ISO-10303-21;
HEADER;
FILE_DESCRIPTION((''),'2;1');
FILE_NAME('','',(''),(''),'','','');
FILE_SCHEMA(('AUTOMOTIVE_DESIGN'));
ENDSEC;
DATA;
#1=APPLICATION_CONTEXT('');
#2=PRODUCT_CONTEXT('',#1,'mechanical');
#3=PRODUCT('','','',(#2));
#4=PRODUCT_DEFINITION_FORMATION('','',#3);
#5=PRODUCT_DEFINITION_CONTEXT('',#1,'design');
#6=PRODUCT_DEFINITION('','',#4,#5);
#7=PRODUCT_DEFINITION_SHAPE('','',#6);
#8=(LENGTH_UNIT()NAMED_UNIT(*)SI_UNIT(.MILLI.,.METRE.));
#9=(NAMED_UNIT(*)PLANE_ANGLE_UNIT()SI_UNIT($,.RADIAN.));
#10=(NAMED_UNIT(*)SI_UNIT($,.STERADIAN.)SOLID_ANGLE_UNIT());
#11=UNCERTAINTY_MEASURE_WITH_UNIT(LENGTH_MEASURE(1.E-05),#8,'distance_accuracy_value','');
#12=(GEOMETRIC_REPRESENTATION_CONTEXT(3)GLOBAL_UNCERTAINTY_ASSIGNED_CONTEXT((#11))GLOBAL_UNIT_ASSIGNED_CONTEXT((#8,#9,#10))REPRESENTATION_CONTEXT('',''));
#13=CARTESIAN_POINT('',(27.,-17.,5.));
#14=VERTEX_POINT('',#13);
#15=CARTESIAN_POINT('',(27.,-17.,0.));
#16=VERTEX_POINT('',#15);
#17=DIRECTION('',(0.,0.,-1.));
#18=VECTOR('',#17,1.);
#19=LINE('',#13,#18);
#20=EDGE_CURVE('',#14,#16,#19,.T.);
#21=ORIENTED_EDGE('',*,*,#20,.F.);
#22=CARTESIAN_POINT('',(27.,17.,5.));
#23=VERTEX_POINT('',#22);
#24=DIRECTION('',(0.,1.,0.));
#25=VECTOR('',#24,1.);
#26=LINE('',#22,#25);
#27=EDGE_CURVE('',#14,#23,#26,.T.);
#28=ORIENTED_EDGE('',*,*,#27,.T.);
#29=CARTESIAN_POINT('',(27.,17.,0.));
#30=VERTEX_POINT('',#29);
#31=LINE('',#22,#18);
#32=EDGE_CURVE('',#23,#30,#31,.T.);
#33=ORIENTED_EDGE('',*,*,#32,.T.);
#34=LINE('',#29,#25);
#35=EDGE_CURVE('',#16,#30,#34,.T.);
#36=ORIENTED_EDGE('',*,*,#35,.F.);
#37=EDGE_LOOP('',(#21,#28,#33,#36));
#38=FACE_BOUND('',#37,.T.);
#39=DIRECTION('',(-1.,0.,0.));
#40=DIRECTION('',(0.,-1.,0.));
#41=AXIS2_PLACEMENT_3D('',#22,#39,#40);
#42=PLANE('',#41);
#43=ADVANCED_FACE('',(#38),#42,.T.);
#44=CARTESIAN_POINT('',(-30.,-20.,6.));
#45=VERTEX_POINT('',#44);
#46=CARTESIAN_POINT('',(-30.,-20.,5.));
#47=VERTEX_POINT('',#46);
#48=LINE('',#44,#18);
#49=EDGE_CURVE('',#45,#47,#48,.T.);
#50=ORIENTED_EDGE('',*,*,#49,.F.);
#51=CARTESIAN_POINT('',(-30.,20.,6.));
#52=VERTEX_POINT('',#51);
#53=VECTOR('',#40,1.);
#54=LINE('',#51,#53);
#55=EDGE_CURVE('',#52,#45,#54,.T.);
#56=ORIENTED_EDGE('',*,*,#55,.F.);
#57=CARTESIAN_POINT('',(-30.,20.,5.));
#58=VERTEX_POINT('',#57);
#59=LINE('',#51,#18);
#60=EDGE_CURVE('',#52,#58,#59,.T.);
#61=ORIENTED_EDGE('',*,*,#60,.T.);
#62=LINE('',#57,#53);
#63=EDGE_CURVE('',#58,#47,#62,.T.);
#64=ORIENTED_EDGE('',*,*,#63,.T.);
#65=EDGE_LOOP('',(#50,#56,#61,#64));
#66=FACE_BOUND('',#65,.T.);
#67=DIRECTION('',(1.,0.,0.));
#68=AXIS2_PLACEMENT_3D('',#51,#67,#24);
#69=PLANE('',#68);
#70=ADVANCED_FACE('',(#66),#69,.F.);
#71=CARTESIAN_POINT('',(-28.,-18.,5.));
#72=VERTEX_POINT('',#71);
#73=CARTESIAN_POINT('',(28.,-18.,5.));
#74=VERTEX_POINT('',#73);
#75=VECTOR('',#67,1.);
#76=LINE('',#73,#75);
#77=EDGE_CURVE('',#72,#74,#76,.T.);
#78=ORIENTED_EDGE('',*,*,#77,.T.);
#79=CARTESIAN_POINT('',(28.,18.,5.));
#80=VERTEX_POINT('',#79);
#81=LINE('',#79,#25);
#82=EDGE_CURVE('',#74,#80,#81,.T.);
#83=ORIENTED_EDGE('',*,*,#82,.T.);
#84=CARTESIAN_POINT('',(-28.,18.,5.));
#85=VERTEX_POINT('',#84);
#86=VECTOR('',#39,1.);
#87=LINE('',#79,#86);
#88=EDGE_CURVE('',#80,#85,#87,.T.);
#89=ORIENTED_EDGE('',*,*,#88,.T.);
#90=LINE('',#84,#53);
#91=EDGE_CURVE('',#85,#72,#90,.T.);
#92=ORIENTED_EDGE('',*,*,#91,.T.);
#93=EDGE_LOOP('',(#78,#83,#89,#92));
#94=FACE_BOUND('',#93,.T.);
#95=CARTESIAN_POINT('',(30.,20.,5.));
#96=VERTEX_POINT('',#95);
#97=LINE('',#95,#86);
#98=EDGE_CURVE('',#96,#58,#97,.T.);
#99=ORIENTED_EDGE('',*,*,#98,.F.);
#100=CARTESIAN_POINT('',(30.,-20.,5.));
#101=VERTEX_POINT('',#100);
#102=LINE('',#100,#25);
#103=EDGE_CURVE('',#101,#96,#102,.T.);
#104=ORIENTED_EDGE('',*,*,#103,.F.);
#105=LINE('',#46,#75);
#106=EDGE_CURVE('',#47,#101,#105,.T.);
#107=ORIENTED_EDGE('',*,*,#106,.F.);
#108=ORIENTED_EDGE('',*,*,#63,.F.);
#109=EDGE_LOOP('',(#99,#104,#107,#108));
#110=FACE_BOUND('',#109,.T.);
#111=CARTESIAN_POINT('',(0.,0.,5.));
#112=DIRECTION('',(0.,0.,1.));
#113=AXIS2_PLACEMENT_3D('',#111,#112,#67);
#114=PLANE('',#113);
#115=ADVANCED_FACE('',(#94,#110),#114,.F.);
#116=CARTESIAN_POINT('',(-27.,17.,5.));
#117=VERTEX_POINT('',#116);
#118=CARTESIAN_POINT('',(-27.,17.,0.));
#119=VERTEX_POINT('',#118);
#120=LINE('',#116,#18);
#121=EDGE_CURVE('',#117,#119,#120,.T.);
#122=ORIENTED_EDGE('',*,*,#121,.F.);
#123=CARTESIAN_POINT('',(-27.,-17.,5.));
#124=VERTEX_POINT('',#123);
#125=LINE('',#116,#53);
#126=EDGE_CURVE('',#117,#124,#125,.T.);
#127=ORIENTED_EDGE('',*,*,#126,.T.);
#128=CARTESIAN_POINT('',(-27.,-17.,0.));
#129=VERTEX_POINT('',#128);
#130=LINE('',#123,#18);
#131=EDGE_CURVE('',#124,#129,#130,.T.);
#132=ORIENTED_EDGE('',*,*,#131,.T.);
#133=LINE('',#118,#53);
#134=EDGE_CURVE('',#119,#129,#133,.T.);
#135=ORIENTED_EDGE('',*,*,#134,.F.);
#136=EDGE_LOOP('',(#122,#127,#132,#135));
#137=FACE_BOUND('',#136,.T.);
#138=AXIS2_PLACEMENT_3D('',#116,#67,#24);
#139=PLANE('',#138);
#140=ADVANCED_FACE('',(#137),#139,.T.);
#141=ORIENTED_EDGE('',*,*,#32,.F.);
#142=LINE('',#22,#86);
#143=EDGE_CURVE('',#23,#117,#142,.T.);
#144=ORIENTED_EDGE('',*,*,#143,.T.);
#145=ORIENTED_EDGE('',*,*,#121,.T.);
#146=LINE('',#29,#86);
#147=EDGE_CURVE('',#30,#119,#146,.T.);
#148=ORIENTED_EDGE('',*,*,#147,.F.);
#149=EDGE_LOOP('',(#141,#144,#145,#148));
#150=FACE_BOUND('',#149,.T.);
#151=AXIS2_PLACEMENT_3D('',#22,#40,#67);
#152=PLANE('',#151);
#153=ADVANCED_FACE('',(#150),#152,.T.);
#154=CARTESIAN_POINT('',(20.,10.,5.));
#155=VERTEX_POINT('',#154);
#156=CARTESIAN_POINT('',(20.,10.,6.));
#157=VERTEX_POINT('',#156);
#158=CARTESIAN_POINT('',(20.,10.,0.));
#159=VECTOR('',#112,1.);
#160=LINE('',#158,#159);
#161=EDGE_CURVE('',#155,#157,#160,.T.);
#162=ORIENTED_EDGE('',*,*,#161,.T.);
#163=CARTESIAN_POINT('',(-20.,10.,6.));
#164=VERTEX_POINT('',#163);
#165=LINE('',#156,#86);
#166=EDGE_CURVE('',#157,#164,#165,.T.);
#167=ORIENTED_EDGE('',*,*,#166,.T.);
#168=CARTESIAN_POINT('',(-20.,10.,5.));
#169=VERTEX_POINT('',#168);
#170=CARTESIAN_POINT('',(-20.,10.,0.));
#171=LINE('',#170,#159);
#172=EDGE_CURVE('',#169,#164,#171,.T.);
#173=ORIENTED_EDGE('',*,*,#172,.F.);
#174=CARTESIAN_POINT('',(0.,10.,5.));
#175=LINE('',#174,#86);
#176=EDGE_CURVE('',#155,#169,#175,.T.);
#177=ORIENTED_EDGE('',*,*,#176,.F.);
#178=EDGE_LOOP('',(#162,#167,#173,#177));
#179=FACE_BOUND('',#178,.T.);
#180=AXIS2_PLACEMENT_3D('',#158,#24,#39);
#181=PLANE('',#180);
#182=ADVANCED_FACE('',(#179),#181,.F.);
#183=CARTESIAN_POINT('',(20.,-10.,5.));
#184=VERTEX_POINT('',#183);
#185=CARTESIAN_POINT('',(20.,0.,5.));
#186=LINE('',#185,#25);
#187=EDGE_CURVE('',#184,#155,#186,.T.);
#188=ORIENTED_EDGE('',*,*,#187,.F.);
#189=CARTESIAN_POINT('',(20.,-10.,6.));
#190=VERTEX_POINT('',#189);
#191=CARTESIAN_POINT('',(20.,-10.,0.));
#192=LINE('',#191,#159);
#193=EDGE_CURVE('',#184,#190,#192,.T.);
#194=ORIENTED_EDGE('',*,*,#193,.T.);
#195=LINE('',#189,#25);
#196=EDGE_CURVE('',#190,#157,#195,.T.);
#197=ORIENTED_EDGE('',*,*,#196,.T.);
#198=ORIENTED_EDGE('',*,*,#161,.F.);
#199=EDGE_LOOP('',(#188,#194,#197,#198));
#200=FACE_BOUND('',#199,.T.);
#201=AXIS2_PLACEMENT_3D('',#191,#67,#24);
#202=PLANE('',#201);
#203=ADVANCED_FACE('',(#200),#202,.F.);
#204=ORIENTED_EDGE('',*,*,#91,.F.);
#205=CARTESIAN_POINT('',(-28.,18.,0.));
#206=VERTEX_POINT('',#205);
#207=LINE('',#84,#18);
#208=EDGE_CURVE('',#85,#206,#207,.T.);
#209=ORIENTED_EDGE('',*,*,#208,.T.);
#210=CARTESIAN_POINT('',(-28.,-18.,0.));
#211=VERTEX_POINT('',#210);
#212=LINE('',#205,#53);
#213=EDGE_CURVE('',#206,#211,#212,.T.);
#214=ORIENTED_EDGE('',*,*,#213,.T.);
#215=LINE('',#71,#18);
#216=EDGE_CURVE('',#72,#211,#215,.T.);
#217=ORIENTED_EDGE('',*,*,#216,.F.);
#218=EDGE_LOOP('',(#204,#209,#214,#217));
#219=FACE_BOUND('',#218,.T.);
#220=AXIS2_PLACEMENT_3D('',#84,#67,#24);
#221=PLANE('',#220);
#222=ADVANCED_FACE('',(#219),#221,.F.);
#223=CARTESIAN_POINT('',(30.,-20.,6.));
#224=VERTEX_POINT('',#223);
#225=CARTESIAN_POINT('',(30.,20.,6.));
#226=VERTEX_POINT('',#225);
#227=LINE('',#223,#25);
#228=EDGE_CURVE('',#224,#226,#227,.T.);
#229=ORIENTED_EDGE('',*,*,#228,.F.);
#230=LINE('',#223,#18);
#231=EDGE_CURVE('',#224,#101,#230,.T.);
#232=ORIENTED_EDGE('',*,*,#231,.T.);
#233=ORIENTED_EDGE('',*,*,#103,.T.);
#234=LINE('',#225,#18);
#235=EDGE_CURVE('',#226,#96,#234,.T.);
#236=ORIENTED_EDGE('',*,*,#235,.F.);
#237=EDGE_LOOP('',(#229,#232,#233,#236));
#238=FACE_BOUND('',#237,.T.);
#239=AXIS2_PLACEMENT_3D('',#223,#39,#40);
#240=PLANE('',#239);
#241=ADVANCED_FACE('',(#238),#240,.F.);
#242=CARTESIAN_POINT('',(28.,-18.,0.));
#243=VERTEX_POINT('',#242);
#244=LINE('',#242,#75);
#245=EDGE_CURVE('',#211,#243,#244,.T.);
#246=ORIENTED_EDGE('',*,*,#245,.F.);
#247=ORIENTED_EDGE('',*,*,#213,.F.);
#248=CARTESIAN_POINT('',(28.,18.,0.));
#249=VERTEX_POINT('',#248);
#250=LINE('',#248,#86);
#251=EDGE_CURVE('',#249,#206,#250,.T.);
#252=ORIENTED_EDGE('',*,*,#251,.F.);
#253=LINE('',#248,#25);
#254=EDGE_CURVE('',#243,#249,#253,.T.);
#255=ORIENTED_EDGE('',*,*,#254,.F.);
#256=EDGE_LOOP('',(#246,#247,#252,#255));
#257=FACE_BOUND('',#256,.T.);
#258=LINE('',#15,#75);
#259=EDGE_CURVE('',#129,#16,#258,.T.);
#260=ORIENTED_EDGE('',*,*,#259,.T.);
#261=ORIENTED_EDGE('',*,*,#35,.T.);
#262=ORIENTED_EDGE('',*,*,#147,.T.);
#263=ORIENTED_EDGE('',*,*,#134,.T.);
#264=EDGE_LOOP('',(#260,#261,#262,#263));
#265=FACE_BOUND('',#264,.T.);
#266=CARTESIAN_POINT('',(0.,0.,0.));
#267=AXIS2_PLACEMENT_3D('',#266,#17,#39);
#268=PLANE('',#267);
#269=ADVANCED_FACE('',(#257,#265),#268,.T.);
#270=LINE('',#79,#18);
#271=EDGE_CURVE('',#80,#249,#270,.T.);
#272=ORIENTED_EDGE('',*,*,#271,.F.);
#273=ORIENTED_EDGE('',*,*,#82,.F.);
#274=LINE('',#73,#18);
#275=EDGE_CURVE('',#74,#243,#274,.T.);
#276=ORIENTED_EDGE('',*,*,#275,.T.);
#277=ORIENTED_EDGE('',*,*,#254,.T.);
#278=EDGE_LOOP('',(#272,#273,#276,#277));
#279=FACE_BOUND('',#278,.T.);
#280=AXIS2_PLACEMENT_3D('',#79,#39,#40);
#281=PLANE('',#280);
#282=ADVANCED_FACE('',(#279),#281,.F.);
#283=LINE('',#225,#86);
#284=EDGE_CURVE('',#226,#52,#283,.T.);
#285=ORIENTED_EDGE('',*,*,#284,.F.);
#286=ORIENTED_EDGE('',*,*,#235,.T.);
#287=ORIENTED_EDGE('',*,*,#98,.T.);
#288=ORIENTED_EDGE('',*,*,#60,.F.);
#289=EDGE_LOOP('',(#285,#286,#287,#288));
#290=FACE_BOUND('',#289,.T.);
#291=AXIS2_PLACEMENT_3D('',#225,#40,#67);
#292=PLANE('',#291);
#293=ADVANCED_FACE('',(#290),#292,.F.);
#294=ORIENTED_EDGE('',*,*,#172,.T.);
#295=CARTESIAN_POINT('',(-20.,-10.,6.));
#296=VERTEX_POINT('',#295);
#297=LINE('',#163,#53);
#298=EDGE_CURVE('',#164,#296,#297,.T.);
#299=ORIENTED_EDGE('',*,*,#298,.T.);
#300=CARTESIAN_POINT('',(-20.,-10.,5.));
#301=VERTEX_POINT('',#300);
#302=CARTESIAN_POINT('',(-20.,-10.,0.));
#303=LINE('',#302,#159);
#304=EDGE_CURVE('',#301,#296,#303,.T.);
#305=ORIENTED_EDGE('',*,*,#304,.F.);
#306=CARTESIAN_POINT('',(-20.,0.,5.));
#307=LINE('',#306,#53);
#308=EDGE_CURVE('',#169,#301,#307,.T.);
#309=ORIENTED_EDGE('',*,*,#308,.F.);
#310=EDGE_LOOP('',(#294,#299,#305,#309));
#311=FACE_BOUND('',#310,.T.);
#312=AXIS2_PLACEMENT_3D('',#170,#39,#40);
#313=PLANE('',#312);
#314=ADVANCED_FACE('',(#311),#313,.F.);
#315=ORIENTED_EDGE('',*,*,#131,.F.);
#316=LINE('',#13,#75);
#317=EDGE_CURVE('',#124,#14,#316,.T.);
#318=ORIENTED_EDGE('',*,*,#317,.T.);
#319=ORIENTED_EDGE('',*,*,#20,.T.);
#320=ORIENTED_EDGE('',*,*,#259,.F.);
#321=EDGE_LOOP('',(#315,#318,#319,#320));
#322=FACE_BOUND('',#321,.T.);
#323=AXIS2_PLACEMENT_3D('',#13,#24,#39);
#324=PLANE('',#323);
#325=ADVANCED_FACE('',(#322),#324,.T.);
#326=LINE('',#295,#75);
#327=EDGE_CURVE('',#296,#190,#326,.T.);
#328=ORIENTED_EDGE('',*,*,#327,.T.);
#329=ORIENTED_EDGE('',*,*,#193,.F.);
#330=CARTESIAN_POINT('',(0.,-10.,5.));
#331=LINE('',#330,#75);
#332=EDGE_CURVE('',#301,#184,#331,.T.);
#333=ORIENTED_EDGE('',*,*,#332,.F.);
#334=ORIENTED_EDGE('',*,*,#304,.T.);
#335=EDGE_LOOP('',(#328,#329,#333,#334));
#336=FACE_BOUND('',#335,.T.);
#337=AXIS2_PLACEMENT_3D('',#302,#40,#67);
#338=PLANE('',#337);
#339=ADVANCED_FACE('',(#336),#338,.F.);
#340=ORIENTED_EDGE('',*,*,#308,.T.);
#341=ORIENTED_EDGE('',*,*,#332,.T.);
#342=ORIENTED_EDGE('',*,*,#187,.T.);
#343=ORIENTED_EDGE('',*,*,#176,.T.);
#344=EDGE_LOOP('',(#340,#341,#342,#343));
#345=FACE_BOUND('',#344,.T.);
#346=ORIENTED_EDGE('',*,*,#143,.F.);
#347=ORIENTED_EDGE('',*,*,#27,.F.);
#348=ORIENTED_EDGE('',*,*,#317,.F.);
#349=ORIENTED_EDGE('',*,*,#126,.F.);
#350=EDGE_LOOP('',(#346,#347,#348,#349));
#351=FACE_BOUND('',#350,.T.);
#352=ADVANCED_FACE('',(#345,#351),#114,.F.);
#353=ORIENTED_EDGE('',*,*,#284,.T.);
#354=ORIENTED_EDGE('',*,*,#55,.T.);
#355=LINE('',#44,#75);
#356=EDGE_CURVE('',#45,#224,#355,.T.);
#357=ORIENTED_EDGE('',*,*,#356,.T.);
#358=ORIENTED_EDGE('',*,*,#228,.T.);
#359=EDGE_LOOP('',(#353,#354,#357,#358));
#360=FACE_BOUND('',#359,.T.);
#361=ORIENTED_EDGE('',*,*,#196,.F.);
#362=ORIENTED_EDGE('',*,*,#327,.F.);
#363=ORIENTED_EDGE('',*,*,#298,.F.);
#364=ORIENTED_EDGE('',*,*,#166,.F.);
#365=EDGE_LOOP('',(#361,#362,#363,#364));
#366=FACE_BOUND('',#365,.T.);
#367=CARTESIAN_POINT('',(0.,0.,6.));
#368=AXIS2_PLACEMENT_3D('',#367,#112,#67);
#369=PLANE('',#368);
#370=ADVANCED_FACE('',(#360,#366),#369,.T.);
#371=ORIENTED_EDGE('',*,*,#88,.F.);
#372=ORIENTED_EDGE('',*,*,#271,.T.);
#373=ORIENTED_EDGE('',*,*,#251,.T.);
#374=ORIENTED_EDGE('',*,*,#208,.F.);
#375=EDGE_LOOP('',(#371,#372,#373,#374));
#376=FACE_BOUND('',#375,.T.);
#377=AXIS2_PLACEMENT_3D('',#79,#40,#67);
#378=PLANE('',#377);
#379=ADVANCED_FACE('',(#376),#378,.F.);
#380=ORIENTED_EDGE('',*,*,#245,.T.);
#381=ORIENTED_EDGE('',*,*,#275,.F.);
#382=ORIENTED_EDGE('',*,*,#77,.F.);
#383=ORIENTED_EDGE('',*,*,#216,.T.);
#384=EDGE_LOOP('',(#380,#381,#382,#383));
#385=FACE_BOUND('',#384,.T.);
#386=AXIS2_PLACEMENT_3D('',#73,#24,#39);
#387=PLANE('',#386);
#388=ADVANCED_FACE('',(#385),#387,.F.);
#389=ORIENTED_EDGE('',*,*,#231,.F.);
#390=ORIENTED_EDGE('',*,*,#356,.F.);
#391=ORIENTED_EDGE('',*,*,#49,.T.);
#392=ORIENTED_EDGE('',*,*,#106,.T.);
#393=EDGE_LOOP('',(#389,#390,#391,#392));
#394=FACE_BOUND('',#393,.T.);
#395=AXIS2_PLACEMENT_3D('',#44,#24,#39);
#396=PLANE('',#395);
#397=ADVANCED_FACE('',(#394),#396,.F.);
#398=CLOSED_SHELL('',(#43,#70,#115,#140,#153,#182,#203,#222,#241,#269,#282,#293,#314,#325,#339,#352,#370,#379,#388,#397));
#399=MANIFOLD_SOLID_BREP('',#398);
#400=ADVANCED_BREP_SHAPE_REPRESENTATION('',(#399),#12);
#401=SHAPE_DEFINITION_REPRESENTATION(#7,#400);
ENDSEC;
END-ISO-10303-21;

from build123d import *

# Parameters (mm, degrees)
SKETCH1_W           = 56
SKETCH1_H           = 36
SKETCH1_W_2         = 54
SKETCH1_H_2         = 34
BOSS_EXTRUDE1_DEPTH = 5
SKETCH3_W           = 60
SKETCH3_H           = 40
BOSS_EXTRUDE3_DEPTH = 1
SKETCH4_W           = 40
SKETCH4_H           = 20
CUT_EXTRUDE2_DEPTH  = 7


with BuildPart() as part:
    # Sketch1 → Boss-Extrude1 (new body)
    with BuildSketch(Plane.XY):
        Rectangle(SKETCH1_W, SKETCH1_H)
        Rectangle(SKETCH1_W_2, SKETCH1_H_2, mode=Mode.SUBTRACT)
    extrude(amount=BOSS_EXTRUDE1_DEPTH)

    # Sketch3 → Boss-Extrude3 (add)
    with BuildSketch(Plane.XY.offset(5)):
        Rectangle(SKETCH3_W, SKETCH3_H)
    extrude(amount=BOSS_EXTRUDE3_DEPTH)

    # Sketch4 → Cut-Extrude2 (cut, through all)
    with BuildSketch(Plane.XY.offset(6)):
        Rectangle(SKETCH4_W, SKETCH4_H)
    extrude(amount=-CUT_EXTRUDE2_DEPTH, mode=Mode.SUBTRACT)


solid = part.part
